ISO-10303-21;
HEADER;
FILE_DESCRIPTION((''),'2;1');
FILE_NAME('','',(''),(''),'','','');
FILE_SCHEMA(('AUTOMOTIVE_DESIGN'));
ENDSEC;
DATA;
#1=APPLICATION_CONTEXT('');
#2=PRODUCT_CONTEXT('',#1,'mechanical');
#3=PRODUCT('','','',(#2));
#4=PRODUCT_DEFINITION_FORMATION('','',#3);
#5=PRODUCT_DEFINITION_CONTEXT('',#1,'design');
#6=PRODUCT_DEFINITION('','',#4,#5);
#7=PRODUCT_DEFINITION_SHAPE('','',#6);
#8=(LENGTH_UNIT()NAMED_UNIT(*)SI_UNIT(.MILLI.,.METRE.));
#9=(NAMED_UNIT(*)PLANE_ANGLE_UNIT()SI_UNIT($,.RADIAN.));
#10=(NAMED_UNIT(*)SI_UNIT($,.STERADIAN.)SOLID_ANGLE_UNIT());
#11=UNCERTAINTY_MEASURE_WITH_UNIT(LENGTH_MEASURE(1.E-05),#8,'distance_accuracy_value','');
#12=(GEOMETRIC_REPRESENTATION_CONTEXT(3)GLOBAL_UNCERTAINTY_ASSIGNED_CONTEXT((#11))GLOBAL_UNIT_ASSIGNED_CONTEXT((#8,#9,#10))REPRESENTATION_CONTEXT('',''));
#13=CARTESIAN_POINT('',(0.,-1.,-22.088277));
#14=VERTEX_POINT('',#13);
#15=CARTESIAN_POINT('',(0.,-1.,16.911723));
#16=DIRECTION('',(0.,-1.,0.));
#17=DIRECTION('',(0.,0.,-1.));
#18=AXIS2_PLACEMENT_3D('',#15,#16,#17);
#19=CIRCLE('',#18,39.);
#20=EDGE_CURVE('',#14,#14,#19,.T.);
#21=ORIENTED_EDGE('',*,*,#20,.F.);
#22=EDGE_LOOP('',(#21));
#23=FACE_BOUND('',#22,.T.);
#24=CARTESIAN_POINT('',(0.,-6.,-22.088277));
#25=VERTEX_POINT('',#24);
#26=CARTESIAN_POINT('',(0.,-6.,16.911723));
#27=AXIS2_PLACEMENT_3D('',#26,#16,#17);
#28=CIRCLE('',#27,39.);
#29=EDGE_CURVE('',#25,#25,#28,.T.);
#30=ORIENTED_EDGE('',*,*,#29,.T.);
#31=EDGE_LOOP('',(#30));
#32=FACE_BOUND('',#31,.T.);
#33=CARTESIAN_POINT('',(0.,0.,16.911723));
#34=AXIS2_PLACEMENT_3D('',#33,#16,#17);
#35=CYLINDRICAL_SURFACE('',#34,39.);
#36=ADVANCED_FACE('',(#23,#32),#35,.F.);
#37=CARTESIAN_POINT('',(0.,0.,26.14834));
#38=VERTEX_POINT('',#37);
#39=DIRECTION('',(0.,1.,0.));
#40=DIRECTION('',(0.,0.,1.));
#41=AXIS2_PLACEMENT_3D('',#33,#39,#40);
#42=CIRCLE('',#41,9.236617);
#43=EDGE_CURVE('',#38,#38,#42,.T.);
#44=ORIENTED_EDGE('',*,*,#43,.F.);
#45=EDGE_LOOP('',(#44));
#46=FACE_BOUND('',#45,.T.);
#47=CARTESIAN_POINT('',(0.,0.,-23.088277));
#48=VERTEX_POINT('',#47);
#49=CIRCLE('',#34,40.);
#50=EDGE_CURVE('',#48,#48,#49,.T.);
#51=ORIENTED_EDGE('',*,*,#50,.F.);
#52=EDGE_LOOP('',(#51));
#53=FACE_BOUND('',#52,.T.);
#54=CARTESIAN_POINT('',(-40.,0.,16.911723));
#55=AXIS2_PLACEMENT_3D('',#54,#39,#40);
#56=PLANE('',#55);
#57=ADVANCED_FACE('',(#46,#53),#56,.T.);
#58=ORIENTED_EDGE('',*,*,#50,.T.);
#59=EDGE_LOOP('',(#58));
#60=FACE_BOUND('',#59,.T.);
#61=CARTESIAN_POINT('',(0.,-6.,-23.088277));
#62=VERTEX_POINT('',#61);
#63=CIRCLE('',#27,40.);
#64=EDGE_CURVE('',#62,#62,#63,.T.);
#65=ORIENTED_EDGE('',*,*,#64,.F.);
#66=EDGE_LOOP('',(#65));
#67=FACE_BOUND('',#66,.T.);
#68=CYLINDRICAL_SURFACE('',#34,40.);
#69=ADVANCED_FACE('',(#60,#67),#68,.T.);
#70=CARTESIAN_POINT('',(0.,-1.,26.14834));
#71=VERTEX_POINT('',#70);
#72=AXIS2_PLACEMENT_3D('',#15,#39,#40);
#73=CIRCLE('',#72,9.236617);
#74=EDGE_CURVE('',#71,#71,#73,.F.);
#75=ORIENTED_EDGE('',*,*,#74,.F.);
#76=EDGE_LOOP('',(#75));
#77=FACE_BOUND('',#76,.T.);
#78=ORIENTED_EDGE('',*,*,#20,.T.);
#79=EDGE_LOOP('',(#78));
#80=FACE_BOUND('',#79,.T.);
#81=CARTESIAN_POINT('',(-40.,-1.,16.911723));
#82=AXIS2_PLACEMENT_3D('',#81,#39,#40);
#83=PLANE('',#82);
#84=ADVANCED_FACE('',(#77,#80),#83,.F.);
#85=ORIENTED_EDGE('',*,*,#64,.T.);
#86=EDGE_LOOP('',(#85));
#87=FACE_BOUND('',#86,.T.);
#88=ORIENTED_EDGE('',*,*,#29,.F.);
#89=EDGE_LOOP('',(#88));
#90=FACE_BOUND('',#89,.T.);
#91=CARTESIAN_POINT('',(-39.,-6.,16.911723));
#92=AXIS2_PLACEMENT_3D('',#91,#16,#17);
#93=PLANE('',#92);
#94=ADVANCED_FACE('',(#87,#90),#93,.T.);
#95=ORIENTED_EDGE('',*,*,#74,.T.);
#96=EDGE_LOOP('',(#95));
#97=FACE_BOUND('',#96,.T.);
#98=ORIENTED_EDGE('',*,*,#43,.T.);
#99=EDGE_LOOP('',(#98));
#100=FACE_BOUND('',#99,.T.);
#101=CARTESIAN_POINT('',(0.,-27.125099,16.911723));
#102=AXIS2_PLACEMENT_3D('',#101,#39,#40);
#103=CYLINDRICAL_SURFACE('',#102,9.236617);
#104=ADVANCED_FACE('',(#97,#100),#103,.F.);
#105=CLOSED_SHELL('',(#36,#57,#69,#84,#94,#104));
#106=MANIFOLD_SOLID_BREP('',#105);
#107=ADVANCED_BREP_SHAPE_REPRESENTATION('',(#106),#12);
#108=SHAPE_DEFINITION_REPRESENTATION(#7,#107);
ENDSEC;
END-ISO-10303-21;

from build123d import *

# Parameters (mm, degrees)
SKETCH2_R          = 9.236617416
CUT_EXTRUDE1_DEPTH = 1


with BuildPart() as part:
    # Sketch1 → Revolve-Thin1 (revolve)
    with BuildSketch(Plane(origin=(-3.343067137, -71.829408913, 16.911722701), x_dir=(1, 0, 0), z_dir=(0, 0, 1)), mode=Mode.PRIVATE) as revolve_thin1_sk:
        Polygon((-36.656932863, 65.829408913), (-36.656932863, 71.829408913), (3.343067137, 71.829408913), (3.343067137, 70.829408913), (-35.656932863, 70.829408913), (-35.656932863, 65.829408913), align=None)
    revolve(revolve_thin1_sk.sketch.rotate(Axis((0, 0, 16.911722701), (0, 1, 0)), 270), axis=Axis((0, 0, 16.911722701), (0, 1, 0)))

    # Sketch2 → Cut-Extrude1 (cut)
    with BuildSketch(Plane(origin=(0, 0, 0), x_dir=(1, 0, 0), z_dir=(0, 1, 0))):
        with Locations(Location((0, -16.911722701, 0), (0, 0, 270))):
            Circle(SKETCH2_R)
    extrude(amount=-CUT_EXTRUDE1_DEPTH, mode=Mode.SUBTRACT)


solid = part.part
